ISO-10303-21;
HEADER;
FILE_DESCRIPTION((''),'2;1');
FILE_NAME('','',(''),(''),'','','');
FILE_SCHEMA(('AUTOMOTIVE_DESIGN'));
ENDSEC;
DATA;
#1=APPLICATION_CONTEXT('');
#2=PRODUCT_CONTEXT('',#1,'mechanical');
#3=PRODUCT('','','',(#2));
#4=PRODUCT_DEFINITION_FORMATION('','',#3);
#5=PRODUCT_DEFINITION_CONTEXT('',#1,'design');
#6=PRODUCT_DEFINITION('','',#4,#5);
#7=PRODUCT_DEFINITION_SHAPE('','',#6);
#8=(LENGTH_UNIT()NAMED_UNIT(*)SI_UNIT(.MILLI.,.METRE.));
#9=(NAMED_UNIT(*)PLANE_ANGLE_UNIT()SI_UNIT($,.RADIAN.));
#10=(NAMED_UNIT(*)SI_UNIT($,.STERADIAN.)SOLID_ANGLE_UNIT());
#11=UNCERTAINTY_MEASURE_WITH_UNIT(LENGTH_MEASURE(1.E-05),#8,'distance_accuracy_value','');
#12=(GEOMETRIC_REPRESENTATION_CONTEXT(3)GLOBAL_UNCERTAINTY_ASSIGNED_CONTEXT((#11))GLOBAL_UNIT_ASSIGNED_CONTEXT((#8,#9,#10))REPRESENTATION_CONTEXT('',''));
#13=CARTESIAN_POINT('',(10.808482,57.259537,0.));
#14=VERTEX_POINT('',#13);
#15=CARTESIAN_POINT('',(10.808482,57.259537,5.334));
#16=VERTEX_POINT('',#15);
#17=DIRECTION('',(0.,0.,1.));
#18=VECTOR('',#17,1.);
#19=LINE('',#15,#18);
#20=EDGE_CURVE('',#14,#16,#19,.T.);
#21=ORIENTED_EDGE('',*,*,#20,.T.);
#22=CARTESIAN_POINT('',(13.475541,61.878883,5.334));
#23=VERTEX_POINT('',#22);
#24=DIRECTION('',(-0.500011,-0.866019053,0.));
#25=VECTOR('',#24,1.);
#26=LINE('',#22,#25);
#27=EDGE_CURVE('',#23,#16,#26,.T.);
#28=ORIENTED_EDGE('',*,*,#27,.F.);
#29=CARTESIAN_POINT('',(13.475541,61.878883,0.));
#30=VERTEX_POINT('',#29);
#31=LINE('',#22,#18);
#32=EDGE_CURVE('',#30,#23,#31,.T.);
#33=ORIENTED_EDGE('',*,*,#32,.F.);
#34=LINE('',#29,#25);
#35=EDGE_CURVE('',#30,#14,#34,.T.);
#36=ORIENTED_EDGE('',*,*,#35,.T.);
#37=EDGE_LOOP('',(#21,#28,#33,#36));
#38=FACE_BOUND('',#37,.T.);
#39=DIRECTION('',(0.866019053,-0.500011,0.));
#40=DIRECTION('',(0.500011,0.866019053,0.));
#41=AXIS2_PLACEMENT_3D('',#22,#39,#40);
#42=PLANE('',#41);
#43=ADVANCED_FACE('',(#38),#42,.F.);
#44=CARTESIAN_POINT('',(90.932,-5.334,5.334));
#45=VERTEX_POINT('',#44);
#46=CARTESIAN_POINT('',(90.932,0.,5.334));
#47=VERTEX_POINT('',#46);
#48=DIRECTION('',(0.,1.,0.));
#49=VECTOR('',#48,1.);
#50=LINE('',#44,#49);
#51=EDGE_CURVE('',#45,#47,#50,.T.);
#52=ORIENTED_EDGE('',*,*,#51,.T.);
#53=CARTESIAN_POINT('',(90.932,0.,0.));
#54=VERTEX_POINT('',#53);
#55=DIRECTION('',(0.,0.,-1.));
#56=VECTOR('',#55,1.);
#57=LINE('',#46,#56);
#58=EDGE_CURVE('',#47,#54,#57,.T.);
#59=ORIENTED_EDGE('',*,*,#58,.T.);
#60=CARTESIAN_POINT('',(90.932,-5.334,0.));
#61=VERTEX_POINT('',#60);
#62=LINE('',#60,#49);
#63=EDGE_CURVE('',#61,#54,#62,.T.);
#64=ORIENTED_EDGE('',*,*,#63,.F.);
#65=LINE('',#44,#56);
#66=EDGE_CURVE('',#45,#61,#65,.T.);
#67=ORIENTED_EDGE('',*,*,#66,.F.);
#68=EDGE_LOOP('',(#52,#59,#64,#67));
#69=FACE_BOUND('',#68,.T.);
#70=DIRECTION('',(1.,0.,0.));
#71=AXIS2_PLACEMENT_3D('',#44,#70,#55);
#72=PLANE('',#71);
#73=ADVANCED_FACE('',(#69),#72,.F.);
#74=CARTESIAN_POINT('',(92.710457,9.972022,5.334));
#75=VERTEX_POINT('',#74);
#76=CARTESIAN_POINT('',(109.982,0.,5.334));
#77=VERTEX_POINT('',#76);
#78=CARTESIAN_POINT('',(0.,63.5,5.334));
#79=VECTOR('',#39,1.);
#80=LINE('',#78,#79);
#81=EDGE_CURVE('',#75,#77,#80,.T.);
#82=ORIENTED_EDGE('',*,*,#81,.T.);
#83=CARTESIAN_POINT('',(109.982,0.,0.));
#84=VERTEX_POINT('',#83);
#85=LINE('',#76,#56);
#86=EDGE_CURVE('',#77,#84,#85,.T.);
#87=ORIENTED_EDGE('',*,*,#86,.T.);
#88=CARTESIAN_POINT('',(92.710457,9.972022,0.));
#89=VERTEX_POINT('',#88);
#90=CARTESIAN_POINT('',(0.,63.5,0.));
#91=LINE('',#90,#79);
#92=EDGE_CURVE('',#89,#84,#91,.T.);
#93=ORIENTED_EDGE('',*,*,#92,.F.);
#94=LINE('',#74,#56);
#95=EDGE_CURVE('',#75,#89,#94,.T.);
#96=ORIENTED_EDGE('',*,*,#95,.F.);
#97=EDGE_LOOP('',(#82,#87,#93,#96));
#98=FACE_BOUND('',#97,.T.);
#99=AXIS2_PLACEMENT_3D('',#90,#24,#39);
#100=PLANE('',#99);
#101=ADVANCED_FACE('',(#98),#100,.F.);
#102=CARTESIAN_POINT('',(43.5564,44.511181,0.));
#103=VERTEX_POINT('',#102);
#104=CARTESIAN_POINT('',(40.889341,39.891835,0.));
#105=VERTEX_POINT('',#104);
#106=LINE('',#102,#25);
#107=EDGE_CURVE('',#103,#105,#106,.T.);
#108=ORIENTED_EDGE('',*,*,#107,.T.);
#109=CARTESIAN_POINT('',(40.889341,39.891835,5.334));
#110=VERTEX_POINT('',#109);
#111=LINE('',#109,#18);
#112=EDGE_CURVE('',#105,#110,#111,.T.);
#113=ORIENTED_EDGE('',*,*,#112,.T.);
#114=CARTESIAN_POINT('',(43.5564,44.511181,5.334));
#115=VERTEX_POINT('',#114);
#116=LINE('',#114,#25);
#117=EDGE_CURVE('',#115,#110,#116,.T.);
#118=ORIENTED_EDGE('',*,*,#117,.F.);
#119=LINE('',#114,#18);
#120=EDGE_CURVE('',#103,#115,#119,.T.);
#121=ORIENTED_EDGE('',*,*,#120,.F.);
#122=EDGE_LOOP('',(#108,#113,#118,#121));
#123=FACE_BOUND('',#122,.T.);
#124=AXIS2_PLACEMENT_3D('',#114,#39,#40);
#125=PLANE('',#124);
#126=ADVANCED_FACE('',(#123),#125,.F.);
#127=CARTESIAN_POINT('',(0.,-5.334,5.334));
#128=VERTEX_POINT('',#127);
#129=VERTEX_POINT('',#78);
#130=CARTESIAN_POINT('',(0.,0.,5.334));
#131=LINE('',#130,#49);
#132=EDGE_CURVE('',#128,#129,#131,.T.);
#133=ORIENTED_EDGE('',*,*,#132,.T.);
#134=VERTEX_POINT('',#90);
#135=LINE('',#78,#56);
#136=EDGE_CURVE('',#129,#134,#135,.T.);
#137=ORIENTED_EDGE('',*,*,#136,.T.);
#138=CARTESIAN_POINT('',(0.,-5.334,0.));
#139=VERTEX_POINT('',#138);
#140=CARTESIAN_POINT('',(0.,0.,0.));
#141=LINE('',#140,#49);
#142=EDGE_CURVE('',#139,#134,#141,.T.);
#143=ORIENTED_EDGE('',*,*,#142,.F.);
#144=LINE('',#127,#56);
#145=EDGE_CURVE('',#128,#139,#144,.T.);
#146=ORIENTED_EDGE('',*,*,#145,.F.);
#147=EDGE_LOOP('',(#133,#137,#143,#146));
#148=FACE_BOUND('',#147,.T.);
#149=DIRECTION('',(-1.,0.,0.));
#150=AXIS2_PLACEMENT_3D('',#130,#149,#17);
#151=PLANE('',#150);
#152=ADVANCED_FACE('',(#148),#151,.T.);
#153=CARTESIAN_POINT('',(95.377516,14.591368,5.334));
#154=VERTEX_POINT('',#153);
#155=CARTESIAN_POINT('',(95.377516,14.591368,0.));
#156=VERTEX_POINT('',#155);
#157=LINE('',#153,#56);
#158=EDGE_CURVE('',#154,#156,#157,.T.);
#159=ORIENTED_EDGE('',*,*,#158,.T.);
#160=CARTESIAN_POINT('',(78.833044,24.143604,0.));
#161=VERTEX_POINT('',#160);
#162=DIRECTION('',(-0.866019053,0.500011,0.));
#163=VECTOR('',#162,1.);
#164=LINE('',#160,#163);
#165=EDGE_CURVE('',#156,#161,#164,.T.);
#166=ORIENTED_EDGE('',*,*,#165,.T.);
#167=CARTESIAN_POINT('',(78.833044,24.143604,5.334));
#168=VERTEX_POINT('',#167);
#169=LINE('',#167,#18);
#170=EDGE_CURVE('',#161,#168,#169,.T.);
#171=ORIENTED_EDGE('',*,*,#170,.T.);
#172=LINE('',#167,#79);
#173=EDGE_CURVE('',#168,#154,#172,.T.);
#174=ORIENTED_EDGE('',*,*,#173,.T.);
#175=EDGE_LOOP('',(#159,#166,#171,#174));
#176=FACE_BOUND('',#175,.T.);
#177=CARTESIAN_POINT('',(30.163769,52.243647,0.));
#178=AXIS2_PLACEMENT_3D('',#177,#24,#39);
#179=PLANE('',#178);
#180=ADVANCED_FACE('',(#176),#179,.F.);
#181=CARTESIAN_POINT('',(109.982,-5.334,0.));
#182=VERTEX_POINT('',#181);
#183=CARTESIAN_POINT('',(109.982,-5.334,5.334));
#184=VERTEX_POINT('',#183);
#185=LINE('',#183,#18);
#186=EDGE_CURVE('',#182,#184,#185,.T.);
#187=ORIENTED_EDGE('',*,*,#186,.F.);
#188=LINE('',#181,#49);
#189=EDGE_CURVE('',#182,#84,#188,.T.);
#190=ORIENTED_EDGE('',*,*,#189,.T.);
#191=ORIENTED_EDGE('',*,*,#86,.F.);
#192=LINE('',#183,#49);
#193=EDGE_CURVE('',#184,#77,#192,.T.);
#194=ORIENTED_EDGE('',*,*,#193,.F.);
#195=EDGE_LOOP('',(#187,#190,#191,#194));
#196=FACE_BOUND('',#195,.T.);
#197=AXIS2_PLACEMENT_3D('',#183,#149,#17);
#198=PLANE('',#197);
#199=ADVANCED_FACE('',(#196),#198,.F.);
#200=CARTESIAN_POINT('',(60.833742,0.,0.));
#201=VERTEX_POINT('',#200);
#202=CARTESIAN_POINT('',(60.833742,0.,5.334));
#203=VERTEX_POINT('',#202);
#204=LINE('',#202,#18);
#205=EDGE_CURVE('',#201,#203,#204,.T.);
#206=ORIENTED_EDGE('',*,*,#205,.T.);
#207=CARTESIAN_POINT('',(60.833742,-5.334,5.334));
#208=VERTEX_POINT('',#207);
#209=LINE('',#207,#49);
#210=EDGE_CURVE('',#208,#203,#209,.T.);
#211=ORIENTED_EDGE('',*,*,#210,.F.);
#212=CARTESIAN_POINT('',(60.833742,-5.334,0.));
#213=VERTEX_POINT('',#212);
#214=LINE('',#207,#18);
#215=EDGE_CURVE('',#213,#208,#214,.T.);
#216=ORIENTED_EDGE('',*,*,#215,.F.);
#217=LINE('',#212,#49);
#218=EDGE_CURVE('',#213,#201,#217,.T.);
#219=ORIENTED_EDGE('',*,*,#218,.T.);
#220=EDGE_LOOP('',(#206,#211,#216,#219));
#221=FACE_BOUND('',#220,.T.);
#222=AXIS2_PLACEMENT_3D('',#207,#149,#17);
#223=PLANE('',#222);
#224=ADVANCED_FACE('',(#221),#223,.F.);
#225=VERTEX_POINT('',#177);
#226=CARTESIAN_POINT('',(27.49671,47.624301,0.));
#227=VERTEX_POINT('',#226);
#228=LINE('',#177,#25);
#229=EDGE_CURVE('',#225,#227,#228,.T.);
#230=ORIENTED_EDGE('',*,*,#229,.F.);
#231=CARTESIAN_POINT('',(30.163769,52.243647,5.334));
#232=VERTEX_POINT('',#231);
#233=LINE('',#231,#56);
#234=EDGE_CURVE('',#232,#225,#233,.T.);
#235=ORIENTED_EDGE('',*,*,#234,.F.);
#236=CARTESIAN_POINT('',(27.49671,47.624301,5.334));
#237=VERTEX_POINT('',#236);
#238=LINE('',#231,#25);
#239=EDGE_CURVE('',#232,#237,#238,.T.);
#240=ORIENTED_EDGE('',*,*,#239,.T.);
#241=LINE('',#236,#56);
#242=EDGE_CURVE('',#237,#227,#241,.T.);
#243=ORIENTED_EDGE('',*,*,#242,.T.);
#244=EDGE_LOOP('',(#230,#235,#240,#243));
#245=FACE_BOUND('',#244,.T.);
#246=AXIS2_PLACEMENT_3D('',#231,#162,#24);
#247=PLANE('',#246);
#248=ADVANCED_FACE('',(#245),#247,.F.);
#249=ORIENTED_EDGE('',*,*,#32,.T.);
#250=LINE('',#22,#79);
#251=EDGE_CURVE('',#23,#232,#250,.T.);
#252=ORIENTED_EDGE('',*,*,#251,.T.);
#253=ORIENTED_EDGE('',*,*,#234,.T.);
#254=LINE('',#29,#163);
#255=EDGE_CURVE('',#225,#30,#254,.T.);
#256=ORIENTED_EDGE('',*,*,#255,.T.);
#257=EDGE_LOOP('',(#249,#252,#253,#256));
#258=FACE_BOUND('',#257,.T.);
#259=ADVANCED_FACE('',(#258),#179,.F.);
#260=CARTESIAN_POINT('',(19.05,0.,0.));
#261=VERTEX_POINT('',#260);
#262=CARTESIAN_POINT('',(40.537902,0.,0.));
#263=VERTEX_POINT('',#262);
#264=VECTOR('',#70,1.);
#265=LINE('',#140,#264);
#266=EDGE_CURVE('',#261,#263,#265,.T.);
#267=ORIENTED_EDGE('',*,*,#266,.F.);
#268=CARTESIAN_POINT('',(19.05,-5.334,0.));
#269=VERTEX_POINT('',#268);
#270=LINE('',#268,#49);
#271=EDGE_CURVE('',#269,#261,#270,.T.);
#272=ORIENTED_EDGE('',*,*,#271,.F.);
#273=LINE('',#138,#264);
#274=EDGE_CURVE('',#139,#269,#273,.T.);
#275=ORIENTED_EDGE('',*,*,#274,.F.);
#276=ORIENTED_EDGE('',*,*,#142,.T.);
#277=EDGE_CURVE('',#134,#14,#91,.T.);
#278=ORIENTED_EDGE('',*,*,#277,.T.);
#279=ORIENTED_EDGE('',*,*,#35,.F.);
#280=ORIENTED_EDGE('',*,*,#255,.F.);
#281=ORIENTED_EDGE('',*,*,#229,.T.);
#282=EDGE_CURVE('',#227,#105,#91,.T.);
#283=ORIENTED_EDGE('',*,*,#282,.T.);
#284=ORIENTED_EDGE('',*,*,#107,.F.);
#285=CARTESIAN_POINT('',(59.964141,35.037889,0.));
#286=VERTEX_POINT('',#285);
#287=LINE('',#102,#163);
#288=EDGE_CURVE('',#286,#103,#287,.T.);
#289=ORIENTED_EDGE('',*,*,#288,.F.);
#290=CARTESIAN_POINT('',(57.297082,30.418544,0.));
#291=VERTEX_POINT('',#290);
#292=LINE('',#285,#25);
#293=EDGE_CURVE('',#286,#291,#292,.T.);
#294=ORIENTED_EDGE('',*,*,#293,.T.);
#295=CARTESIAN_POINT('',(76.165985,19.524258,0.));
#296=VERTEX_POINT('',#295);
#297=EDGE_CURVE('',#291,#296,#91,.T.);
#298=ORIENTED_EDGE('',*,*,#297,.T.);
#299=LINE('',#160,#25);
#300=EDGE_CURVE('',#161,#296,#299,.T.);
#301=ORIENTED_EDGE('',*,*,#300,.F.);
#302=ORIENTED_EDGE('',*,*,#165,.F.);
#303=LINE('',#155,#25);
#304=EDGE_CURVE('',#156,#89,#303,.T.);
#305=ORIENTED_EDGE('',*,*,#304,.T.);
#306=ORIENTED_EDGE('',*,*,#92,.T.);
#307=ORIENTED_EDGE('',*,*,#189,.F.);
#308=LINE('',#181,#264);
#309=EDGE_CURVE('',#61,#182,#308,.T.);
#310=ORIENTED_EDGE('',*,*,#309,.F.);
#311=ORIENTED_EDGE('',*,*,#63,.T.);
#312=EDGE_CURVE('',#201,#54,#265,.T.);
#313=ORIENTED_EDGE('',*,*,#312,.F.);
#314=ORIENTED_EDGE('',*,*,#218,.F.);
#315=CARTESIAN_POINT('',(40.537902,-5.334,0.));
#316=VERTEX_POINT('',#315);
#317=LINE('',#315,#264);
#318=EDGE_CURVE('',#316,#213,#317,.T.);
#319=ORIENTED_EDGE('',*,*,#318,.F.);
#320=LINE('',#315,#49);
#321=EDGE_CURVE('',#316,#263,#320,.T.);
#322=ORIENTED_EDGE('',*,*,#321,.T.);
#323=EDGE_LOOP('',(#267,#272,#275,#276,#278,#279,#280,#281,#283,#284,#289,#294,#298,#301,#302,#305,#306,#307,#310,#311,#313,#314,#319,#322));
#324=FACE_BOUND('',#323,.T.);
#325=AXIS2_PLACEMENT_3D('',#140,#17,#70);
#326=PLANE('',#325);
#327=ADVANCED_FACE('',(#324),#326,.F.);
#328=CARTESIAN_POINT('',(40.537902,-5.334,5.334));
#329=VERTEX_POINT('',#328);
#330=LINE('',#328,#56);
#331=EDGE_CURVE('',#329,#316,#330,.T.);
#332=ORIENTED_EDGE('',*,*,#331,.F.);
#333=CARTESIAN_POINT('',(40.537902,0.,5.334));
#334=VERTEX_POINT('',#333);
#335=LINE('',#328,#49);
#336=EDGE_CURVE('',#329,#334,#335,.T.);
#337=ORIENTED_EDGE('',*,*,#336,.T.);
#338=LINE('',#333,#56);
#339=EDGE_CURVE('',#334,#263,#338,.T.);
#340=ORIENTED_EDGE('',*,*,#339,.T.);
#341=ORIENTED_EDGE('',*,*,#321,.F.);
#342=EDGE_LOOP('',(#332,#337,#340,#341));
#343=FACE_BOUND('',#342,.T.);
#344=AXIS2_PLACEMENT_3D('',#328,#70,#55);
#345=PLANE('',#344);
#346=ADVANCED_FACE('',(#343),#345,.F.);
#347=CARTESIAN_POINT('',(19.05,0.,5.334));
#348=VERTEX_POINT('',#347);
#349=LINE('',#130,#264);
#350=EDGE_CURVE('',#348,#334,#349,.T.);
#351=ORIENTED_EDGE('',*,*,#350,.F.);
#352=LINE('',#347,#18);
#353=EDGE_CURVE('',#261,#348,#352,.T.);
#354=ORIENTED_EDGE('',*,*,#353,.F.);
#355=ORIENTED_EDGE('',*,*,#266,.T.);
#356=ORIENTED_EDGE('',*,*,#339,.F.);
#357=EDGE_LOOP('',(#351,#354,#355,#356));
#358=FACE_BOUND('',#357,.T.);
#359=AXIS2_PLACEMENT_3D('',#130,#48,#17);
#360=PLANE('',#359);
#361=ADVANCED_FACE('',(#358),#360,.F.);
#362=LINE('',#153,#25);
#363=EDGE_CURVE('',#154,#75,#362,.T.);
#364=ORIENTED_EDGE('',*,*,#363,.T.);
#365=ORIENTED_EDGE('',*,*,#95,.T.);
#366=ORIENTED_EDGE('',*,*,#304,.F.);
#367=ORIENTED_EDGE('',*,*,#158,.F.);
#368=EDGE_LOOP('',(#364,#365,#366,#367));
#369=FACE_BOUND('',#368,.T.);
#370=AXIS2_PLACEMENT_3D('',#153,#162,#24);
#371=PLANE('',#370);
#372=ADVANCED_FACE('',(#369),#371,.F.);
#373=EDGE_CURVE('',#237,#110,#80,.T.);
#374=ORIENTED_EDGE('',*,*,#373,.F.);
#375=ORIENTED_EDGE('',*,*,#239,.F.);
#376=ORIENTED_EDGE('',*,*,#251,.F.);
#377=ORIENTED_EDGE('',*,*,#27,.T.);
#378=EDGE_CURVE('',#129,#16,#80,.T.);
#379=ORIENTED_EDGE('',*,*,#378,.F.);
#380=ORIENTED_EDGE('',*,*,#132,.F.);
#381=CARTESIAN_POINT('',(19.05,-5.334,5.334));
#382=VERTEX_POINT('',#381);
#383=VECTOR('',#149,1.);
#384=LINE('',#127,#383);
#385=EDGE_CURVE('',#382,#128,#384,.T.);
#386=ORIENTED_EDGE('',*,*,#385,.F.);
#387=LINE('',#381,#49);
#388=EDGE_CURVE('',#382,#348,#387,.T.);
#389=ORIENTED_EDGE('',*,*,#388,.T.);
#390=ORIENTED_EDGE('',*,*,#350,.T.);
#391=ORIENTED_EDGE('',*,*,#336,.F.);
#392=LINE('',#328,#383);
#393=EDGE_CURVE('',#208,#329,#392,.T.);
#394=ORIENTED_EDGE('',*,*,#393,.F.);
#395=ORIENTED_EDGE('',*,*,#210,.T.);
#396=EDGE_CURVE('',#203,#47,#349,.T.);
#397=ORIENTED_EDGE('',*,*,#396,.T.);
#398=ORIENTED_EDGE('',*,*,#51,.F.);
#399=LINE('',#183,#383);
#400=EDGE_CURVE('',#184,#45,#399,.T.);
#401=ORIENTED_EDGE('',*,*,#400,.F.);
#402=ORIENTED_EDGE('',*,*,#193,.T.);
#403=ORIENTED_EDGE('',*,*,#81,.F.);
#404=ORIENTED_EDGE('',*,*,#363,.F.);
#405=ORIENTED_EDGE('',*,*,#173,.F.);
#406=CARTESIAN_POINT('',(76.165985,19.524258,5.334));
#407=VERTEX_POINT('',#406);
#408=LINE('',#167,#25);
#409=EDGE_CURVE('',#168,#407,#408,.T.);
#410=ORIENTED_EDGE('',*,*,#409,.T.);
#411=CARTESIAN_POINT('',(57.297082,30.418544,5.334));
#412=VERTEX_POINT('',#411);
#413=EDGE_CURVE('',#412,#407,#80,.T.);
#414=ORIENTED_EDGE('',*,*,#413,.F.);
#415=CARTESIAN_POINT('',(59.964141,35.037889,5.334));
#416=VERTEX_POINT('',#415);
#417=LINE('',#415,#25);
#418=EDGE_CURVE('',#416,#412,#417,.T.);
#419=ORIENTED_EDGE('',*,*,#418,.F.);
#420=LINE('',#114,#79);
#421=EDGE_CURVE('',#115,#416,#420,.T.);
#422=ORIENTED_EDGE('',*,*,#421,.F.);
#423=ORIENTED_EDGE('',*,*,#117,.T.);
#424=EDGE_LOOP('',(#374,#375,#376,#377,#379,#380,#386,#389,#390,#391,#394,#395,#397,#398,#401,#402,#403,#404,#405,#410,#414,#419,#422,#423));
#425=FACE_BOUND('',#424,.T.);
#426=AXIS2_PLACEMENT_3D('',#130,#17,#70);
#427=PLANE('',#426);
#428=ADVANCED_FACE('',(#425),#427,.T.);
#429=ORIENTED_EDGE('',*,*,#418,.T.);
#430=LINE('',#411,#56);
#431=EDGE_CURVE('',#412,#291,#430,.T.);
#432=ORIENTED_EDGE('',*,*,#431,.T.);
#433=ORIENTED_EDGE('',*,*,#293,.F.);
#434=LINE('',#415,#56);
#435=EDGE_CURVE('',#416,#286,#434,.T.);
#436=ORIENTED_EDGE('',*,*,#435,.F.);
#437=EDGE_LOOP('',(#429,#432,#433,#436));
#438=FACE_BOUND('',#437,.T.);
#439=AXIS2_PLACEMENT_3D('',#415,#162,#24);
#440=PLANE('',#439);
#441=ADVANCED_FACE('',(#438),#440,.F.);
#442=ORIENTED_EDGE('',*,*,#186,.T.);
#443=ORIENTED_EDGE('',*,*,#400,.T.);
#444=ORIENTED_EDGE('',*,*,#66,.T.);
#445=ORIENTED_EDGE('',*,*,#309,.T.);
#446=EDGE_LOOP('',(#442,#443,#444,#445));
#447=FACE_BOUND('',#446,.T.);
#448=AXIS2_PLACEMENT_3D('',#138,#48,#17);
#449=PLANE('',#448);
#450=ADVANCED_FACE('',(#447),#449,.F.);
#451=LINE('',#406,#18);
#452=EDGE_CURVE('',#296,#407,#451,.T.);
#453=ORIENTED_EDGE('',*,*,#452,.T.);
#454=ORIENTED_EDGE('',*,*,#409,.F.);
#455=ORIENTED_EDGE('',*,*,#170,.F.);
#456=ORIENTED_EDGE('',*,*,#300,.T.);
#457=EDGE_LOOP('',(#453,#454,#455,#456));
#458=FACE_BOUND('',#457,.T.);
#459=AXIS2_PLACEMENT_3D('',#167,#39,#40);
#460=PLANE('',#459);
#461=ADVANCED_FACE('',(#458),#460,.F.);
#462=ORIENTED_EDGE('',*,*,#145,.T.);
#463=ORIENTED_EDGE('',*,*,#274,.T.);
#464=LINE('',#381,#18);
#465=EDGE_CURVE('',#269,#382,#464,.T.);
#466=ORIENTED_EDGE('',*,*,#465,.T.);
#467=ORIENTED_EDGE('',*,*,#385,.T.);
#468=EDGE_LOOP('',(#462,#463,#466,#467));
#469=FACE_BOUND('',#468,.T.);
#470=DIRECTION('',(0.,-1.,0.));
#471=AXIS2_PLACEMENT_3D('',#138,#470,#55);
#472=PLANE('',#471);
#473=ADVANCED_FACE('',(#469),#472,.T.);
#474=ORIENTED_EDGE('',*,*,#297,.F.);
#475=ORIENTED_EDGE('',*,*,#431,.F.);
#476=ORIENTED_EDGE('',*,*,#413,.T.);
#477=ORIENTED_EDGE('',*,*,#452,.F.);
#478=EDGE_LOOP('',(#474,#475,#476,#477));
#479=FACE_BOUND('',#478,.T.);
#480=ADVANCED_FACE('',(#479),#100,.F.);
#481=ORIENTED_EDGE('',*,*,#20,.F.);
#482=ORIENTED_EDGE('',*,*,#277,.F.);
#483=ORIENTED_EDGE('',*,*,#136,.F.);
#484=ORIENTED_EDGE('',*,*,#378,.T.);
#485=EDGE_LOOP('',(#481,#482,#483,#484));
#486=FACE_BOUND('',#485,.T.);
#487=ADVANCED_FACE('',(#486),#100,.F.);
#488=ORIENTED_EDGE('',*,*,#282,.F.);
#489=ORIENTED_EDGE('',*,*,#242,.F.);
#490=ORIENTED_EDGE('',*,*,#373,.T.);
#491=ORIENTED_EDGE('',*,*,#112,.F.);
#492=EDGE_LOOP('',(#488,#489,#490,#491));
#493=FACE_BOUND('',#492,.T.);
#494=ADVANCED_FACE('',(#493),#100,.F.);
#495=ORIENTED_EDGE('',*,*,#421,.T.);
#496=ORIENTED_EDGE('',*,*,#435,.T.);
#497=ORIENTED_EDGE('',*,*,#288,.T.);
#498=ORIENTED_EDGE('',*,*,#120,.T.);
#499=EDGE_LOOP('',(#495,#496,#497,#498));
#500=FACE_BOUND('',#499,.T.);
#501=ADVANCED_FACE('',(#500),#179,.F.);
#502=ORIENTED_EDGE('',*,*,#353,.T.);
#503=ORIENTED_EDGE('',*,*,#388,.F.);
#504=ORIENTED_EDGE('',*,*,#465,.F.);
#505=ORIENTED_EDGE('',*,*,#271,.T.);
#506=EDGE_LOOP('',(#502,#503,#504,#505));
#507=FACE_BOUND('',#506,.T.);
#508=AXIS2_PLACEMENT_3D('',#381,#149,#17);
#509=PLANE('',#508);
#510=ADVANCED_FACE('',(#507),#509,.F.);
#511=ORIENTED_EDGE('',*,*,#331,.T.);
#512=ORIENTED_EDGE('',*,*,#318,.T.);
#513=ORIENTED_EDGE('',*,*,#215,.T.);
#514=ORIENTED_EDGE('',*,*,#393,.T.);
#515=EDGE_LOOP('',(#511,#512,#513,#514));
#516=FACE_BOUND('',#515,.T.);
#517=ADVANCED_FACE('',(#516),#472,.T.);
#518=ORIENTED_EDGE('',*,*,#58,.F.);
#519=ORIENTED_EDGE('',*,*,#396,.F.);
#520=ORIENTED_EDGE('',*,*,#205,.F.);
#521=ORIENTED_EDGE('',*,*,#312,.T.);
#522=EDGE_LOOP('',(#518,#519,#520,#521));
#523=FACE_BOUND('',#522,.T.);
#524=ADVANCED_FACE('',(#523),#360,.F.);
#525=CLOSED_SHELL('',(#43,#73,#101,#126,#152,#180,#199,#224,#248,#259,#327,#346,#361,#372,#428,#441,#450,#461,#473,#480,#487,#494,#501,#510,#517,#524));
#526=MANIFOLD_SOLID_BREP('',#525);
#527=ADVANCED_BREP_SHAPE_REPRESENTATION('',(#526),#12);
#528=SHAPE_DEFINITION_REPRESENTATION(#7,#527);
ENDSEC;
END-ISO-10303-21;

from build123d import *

# Parameters (mm, degrees)
SKETCH1_W           = 109.982
SKETCH1_H           = 63.5
BOSS_EXTRUDE1_DEPTH = 5.334
CUT_EXTRUDE1_DEPTH  = 128.109173076
SKETCH7_W           = 19.05
SKETCH7_H           = 5.334
SKETCH7_W_2         = 20.295839927
BOSS_EXTRUDE4_DEPTH = 5.334
SKETCH9_W           = 19.270046927
SKETCH9_H           = 5.334
SKETCH9_W_2         = 18.946166646
SKETCH9_W_3         = 19.104051368
BOSS_EXTRUDE6_DEPTH = 5.334


with BuildPart() as part:
    # Sketch1 → Boss-Extrude1 (new body)
    with BuildSketch(Plane.XY):
        with Locations((54.991, 31.75)):
            Rectangle(SKETCH1_W, SKETCH1_H)
    extrude(amount=BOSS_EXTRUDE1_DEPTH)

    # Sketch2 → Cut-Extrude1 (cut, through all)
    with BuildSketch(Plane.XY.offset(5.334)):
        Polygon((0, 63.5), (109.982, 0), (109.982, 63.5), align=None)
    extrude(amount=-CUT_EXTRUDE1_DEPTH, mode=Mode.SUBTRACT)

    # Sketch7 → Boss-Extrude4 (add)
    with BuildSketch(Plane(origin=(0, 0, 0), x_dir=(-1, 0, 0), z_dir=(0, -1, 0))):
        with Locations((-9.525, -2.667)):
            Rectangle(SKETCH7_W, SKETCH7_H)
        with Locations((-50.685821834, -2.667)):
            Rectangle(SKETCH7_W_2, SKETCH7_H)
        with Locations((-100.457, -2.667)):
            Rectangle(SKETCH7_W, SKETCH7_H)
    extrude(amount=BOSS_EXTRUDE4_DEPTH)

    # Sketch9 → Boss-Extrude6 (add)
    with BuildSketch(Plane(origin=(27.496709855, 47.624301469, 0), x_dir=(0.866019052628739, -0.5000110003630135, 0), z_dir=(0.5000110003630134, 0.8660190526287389, 0))):
        with Locations((-9.635023464, -2.667)):
            Rectangle(SKETCH9_W, SKETCH9_H)
        with Locations((24.937675247, -2.667)):
            Rectangle(SKETCH9_W_2, SKETCH9_H)
        with Locations((65.750875897, -2.667)):
            Rectangle(SKETCH9_W_3, SKETCH9_H)
    extrude(amount=BOSS_EXTRUDE6_DEPTH)


solid = part.part
